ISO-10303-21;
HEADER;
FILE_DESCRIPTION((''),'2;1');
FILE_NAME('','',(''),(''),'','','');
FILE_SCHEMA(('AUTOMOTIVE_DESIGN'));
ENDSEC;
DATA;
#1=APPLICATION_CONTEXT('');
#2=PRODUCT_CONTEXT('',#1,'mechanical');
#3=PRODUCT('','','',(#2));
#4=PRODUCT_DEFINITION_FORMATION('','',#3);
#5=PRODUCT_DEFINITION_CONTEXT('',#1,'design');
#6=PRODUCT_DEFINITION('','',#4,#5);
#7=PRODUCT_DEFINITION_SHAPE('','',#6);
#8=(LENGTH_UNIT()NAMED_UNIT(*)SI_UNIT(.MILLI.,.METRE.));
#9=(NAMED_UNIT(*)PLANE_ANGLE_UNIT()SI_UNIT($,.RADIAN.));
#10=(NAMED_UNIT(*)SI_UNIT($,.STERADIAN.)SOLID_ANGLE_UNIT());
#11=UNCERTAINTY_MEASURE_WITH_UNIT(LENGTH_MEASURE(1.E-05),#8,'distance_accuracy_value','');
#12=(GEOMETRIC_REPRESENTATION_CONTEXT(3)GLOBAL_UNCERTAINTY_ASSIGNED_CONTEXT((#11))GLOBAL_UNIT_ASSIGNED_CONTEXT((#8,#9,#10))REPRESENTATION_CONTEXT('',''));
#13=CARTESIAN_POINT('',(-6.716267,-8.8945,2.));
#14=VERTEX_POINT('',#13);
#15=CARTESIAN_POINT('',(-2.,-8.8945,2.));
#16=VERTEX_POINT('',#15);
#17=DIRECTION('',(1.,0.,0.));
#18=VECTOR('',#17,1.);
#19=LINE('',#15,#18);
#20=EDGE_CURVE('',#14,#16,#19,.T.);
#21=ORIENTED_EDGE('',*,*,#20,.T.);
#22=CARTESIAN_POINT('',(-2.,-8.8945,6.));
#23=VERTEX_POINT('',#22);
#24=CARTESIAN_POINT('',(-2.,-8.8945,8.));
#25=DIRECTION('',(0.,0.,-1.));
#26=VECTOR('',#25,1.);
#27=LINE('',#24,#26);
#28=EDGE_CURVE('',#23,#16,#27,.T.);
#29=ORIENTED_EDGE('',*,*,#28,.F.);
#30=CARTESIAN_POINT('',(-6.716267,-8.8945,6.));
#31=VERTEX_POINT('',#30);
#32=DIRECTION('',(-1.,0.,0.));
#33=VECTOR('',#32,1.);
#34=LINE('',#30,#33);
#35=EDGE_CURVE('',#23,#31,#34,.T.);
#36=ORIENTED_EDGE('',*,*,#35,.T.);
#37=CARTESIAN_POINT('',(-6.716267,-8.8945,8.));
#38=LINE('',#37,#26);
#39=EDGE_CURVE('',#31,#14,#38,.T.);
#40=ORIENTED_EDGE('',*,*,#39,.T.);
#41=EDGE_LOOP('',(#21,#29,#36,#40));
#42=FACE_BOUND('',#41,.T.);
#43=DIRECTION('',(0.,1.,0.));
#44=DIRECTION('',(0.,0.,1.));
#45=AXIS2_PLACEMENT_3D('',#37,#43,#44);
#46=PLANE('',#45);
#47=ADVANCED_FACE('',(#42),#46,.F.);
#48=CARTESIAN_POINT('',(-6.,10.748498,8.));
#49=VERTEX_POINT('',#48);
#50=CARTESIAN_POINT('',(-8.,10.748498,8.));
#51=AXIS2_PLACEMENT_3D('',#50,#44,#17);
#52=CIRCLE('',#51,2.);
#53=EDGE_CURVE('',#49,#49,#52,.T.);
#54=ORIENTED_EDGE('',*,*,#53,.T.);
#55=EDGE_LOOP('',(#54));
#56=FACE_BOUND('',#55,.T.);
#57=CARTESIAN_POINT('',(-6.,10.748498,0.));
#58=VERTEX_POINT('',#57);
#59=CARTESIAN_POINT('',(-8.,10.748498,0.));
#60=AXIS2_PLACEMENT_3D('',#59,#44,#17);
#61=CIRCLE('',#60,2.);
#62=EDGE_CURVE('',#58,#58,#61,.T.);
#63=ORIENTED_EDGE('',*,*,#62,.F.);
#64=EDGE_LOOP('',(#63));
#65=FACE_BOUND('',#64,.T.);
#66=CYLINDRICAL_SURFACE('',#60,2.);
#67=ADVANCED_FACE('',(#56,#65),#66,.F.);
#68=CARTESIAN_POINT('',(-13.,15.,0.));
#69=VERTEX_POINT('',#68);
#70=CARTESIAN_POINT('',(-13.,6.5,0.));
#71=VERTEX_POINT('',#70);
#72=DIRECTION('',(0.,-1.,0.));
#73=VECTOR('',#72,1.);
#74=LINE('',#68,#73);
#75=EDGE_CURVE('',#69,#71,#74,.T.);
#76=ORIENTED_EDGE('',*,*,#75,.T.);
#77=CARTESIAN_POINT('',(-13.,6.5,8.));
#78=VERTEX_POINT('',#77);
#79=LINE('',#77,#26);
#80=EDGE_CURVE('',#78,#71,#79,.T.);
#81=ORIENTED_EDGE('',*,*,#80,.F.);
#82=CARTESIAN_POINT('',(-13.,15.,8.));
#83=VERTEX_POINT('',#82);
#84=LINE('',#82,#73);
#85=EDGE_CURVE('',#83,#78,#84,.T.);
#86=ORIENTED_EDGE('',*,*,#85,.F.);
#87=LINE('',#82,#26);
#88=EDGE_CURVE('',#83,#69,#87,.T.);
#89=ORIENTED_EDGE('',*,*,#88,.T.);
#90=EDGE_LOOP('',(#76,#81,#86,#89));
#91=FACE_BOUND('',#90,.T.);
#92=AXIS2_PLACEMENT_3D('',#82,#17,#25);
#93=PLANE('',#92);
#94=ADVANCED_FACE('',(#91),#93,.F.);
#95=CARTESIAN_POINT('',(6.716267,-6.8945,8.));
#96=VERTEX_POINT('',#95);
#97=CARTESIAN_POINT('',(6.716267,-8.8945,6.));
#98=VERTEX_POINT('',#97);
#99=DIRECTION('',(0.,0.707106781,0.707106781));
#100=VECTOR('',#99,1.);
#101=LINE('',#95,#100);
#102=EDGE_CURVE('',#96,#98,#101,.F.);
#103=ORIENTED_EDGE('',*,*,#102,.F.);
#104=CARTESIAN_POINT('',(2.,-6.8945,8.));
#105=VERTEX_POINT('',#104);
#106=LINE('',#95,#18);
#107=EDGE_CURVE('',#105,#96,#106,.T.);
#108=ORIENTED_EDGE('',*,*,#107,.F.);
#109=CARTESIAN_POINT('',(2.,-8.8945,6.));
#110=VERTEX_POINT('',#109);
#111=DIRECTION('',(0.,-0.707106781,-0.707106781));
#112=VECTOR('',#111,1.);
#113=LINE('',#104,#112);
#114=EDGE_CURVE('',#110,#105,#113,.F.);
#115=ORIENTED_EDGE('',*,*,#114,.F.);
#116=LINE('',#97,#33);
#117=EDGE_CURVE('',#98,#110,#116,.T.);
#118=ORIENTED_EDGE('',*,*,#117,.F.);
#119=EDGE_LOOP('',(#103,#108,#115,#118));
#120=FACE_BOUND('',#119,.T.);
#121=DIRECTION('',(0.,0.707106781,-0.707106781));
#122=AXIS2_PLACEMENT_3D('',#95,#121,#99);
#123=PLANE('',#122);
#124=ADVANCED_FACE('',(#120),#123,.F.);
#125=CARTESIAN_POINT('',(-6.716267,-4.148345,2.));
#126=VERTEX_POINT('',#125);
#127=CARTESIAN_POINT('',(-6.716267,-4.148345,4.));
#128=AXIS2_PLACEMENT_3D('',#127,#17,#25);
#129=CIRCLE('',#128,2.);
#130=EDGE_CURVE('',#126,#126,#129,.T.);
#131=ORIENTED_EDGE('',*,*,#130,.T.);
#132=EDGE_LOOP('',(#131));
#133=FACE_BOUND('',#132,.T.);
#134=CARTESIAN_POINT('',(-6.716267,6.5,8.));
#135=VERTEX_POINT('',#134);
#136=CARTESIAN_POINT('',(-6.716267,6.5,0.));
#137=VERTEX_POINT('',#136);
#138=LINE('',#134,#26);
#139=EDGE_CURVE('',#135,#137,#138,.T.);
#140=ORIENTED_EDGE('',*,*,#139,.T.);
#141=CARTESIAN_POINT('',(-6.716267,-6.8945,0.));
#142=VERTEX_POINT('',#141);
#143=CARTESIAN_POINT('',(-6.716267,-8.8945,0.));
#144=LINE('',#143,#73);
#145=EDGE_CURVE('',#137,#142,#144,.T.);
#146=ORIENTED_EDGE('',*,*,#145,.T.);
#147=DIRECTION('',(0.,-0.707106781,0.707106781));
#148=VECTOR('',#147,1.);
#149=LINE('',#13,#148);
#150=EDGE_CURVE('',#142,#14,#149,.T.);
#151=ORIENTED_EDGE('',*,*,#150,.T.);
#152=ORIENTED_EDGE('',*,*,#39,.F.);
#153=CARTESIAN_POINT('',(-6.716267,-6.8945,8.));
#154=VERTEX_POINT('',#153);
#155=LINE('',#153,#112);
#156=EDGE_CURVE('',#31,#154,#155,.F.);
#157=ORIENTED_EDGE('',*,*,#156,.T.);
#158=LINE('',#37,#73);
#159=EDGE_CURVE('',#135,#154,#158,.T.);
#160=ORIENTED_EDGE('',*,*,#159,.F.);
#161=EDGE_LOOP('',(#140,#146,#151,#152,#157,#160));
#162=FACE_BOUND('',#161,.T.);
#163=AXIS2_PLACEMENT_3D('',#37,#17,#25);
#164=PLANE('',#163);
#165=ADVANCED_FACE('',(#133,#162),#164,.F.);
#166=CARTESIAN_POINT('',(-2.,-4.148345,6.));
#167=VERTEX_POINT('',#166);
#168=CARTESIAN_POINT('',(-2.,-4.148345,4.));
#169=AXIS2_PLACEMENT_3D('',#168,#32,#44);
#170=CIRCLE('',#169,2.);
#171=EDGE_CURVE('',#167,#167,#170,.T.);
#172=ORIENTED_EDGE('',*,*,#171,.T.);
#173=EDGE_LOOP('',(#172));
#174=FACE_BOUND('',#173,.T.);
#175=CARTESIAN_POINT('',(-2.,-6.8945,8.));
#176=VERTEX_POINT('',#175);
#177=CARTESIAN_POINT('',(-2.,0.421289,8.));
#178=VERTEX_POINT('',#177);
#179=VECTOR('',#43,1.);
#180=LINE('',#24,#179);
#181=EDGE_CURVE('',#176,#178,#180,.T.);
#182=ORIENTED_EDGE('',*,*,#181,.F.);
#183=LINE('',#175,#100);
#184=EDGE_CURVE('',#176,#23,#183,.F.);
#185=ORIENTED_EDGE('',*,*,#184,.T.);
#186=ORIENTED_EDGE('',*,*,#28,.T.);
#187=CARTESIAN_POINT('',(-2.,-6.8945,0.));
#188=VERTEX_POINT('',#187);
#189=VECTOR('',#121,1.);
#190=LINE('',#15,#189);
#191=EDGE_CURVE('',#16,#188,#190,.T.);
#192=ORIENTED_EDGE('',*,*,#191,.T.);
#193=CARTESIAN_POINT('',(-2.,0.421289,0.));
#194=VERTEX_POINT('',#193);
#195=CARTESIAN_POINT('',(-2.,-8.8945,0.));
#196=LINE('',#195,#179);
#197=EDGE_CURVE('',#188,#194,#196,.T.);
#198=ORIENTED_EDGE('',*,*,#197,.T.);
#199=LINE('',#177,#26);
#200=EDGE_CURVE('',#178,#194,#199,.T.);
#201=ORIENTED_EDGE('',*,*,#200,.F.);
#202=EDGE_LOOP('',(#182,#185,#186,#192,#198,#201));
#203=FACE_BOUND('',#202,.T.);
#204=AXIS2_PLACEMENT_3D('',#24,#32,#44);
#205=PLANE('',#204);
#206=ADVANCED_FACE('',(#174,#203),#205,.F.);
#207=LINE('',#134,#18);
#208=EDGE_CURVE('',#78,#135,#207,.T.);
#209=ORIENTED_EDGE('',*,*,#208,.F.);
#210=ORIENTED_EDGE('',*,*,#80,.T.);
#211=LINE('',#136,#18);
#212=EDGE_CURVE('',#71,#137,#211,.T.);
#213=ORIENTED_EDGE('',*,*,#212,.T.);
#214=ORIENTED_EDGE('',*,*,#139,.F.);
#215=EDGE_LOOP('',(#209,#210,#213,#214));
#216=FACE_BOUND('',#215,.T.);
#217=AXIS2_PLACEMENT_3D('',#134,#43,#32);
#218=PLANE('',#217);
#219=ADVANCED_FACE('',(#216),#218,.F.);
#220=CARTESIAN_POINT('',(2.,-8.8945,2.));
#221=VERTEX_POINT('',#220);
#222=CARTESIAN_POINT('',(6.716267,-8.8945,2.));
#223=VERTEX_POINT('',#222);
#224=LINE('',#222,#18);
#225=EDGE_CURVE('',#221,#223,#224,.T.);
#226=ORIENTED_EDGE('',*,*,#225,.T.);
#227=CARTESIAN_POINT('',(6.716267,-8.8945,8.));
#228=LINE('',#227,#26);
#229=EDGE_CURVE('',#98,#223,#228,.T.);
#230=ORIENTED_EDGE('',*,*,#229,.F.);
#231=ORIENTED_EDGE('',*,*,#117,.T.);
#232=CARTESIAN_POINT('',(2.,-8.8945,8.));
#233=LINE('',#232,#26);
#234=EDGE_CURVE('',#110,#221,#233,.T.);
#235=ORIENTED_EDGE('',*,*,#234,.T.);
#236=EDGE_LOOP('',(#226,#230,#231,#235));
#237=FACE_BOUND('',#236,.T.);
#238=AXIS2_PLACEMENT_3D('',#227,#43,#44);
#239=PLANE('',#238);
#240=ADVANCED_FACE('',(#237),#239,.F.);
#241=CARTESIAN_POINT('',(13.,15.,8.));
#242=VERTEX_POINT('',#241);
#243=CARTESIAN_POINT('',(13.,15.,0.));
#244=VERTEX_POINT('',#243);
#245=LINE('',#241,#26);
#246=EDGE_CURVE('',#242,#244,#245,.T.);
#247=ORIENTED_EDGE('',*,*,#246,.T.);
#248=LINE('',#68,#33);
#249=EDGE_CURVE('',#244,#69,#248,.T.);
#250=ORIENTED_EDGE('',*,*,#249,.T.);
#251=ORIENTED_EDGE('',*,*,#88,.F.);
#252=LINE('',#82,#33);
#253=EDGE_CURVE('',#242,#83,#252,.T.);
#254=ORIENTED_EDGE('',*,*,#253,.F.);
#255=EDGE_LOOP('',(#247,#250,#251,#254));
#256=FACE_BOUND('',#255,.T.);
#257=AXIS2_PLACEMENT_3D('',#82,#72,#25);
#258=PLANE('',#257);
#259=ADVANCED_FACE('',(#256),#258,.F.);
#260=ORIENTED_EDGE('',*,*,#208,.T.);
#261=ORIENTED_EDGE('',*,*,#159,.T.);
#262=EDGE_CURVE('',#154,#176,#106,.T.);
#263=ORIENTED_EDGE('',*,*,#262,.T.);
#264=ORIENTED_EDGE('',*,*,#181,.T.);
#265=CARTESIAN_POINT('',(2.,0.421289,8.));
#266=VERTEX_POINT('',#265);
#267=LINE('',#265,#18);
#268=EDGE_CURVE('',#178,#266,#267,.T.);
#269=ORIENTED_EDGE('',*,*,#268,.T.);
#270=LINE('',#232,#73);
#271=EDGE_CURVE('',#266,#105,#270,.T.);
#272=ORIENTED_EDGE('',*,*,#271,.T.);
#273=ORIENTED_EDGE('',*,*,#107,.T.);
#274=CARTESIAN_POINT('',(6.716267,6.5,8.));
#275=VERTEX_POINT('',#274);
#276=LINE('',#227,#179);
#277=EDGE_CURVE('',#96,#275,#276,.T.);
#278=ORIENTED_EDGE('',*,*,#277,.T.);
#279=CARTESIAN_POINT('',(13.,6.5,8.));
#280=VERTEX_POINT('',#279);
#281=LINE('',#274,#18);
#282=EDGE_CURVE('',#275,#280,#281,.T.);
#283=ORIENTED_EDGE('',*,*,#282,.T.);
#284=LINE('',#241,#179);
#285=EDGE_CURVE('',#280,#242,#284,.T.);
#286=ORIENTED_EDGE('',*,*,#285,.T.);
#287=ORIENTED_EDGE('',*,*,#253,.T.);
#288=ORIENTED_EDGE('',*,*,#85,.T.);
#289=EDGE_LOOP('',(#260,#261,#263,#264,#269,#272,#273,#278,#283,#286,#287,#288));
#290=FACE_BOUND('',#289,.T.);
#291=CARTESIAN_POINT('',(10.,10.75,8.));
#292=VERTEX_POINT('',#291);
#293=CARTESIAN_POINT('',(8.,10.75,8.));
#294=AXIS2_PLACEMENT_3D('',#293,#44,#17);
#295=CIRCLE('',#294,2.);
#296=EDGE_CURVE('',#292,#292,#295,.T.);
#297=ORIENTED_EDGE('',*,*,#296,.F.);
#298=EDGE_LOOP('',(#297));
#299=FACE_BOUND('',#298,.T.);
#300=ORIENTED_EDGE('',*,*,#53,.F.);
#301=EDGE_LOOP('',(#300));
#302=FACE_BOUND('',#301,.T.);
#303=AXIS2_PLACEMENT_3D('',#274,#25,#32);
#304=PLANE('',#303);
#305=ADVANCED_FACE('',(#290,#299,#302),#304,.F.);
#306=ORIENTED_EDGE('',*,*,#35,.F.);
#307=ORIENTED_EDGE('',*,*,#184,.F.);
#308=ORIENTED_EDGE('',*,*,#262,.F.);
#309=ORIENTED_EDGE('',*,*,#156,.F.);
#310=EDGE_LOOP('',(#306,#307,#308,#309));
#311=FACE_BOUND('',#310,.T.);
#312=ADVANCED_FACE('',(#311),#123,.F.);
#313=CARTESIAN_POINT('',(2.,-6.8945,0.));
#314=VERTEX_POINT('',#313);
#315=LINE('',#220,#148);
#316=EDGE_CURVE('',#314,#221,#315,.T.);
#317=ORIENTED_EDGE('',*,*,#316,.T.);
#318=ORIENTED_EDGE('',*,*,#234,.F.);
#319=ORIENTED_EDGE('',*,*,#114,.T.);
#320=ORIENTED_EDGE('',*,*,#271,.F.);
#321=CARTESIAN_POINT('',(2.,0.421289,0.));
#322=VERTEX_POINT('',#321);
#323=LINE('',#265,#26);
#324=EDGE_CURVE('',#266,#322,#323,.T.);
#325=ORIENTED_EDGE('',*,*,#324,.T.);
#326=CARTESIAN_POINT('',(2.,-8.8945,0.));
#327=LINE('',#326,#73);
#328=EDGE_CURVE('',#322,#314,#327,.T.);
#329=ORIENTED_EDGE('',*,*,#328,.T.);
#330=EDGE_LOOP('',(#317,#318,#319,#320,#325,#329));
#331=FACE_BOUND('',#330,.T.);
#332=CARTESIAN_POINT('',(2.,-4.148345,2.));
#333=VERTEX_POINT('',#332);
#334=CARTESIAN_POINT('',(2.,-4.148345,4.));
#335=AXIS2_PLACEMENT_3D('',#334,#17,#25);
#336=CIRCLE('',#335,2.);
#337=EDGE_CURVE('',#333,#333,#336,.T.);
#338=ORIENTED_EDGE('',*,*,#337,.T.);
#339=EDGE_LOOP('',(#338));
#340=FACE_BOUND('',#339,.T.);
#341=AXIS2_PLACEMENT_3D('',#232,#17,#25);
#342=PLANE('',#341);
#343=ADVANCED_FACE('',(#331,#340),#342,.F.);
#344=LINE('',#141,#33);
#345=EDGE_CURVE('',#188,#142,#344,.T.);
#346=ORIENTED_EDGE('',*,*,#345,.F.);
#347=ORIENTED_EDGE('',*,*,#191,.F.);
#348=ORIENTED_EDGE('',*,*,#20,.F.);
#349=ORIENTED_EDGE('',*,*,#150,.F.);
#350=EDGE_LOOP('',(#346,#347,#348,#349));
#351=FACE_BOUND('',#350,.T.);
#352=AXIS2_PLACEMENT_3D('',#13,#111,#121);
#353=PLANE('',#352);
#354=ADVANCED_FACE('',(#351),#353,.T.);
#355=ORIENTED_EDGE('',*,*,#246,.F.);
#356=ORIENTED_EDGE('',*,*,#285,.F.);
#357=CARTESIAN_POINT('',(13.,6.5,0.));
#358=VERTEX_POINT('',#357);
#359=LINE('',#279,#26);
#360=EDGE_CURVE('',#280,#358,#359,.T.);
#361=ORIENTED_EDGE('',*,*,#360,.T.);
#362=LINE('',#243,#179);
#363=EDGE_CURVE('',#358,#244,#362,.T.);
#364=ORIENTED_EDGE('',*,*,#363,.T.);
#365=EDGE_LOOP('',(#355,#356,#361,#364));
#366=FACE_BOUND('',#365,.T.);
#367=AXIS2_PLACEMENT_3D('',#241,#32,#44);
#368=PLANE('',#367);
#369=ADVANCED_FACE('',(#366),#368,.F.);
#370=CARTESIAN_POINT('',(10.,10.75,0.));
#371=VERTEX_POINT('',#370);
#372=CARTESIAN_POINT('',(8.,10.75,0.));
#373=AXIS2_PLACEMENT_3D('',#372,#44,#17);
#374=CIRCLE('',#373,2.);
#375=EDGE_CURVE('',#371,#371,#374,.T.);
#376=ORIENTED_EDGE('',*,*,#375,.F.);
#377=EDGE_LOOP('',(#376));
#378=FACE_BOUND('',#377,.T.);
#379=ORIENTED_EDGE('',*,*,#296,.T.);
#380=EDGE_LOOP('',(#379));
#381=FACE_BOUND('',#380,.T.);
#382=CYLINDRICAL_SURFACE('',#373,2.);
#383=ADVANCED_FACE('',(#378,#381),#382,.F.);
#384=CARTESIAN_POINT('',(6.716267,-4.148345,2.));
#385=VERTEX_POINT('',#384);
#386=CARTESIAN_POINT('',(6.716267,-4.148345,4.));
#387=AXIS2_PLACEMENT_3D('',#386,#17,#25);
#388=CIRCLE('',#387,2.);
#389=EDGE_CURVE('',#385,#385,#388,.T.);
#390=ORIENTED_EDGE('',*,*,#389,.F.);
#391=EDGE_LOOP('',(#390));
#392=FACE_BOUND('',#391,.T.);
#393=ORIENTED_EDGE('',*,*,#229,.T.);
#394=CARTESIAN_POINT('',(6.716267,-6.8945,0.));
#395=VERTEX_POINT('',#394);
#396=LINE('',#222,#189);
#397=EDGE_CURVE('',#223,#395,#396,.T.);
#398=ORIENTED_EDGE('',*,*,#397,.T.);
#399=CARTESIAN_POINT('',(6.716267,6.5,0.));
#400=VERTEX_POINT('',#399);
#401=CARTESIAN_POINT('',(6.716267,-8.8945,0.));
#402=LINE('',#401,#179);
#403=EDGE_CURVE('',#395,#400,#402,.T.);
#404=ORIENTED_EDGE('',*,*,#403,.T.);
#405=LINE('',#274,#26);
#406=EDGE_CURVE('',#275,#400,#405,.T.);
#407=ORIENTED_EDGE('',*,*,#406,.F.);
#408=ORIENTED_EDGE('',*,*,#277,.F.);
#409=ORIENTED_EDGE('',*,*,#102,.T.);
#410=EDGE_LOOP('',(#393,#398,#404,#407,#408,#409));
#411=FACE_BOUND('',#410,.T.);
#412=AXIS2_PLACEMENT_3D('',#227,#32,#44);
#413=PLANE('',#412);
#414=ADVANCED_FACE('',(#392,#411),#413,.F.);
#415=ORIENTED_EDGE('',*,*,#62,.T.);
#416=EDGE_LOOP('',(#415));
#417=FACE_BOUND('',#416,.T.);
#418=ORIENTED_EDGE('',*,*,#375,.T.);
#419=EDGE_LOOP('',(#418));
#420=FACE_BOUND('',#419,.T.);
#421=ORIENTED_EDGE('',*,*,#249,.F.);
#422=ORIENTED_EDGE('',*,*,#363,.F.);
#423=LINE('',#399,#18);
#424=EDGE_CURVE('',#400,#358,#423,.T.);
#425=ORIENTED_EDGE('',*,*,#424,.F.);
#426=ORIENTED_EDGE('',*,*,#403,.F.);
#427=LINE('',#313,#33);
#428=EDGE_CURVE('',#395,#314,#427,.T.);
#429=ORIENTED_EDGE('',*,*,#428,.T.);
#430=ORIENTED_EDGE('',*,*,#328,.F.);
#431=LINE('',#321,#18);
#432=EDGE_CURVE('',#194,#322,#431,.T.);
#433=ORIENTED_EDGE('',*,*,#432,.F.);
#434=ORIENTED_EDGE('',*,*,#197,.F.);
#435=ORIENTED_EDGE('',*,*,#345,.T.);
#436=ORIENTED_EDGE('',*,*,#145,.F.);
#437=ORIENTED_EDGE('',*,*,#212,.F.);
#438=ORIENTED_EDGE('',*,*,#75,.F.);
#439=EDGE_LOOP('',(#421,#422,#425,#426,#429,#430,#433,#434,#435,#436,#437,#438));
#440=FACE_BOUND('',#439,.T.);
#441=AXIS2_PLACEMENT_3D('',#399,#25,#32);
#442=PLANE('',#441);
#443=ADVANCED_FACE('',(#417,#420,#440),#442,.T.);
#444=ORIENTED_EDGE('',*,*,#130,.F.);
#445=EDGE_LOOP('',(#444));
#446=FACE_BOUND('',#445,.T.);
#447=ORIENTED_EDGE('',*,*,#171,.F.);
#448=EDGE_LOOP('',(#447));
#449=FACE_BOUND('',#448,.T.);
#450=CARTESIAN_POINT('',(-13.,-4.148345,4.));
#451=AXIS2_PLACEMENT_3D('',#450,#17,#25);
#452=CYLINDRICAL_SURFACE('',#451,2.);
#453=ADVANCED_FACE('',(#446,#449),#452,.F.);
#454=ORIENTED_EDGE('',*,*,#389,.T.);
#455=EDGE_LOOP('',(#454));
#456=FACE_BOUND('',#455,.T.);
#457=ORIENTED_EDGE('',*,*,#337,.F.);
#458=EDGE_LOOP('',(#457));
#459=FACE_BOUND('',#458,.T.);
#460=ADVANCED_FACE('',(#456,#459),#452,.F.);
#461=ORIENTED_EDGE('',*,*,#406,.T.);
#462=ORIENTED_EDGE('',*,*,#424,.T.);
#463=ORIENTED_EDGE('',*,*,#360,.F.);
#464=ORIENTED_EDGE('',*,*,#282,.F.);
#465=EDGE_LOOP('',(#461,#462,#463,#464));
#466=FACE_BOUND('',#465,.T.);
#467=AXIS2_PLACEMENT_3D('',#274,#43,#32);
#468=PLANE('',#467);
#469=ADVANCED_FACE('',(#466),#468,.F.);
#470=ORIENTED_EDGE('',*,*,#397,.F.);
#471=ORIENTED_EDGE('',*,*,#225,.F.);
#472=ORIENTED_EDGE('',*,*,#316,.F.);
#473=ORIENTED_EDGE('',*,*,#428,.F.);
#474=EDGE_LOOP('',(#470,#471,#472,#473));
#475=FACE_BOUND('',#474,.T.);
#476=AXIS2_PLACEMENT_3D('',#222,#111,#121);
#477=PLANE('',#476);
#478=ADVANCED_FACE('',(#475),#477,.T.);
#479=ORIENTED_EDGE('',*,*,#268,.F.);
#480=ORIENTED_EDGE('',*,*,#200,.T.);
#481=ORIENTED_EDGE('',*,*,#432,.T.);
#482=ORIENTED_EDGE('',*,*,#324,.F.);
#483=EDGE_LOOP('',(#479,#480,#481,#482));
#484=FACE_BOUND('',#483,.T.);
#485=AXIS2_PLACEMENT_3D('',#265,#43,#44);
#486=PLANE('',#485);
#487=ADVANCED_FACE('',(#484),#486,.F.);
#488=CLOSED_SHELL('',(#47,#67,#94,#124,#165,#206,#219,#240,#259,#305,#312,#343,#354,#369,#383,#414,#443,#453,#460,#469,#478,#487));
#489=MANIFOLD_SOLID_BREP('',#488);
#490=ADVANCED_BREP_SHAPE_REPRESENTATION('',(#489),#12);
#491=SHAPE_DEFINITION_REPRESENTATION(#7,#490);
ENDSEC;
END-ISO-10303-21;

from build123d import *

# Parameters (mm, degrees)
EXTRUDE_1_DEPTH     = 8
SKETCH_2_R          = 2
CUT_EXTRUDE_2_DEPTH = 22.400934559
SKETCH_3_R          = 2
CUT_EXTRUDE_1_DEPTH = 27.033270693
CHAMFER_1_SIZE      = 2


with BuildPart() as part:
    # Эскиз1 → Вытянуть1 (new body)
    with BuildSketch(Plane.XY):
        Polygon((-13, 15), (13, 15), (13, 6.500000002), (6.716266963, 6.500000002), (6.716266963, -8.894499905), (2, -8.894499905), (2, 0.42128884), (-2, 0.42128884), (-2, -8.894499905), (-6.716266963, -8.894499905), (-6.716266963, 6.500000002), (-13, 6.500000002), align=None)
    extrude(amount=EXTRUDE_1_DEPTH)

    # Эскиз2 → Вытянуть2 (cut, through all)
    with BuildSketch(Plane.XY.offset(8)):
        with Locations((-8, 10.748498226)):
            Circle(SKETCH_2_R)
        with Locations((8, 10.750000001)):
            Circle(SKETCH_2_R)
    extrude(amount=-CUT_EXTRUDE_2_DEPTH, mode=Mode.SUBTRACT)

    # Эскиз3 → Вырез-Вытянуть1 (cut, through all)
    with BuildSketch(Plane(origin=(6.716266963, 0, 0), x_dir=(0, 0, -1), z_dir=(1, 0, 0))):
        with Locations((-4, -4.14834478)):
            Circle(SKETCH_3_R)
    extrude(amount=-CUT_EXTRUDE_1_DEPTH, mode=Mode.SUBTRACT)

    # Фаска1
    chamfer_1_edges = [part.edges().sort_by_distance(p)[0] for p in [
        (4.358133481, -8.894499905, 0),
        (-4.358133481, -8.894499905, 0),
        (-4.358133481, -8.894499905, 8),
        (4.358133481, -8.894499905, 8),
    ]]
    chamfer(chamfer_1_edges, length=CHAMFER_1_SIZE)


solid = part.part
